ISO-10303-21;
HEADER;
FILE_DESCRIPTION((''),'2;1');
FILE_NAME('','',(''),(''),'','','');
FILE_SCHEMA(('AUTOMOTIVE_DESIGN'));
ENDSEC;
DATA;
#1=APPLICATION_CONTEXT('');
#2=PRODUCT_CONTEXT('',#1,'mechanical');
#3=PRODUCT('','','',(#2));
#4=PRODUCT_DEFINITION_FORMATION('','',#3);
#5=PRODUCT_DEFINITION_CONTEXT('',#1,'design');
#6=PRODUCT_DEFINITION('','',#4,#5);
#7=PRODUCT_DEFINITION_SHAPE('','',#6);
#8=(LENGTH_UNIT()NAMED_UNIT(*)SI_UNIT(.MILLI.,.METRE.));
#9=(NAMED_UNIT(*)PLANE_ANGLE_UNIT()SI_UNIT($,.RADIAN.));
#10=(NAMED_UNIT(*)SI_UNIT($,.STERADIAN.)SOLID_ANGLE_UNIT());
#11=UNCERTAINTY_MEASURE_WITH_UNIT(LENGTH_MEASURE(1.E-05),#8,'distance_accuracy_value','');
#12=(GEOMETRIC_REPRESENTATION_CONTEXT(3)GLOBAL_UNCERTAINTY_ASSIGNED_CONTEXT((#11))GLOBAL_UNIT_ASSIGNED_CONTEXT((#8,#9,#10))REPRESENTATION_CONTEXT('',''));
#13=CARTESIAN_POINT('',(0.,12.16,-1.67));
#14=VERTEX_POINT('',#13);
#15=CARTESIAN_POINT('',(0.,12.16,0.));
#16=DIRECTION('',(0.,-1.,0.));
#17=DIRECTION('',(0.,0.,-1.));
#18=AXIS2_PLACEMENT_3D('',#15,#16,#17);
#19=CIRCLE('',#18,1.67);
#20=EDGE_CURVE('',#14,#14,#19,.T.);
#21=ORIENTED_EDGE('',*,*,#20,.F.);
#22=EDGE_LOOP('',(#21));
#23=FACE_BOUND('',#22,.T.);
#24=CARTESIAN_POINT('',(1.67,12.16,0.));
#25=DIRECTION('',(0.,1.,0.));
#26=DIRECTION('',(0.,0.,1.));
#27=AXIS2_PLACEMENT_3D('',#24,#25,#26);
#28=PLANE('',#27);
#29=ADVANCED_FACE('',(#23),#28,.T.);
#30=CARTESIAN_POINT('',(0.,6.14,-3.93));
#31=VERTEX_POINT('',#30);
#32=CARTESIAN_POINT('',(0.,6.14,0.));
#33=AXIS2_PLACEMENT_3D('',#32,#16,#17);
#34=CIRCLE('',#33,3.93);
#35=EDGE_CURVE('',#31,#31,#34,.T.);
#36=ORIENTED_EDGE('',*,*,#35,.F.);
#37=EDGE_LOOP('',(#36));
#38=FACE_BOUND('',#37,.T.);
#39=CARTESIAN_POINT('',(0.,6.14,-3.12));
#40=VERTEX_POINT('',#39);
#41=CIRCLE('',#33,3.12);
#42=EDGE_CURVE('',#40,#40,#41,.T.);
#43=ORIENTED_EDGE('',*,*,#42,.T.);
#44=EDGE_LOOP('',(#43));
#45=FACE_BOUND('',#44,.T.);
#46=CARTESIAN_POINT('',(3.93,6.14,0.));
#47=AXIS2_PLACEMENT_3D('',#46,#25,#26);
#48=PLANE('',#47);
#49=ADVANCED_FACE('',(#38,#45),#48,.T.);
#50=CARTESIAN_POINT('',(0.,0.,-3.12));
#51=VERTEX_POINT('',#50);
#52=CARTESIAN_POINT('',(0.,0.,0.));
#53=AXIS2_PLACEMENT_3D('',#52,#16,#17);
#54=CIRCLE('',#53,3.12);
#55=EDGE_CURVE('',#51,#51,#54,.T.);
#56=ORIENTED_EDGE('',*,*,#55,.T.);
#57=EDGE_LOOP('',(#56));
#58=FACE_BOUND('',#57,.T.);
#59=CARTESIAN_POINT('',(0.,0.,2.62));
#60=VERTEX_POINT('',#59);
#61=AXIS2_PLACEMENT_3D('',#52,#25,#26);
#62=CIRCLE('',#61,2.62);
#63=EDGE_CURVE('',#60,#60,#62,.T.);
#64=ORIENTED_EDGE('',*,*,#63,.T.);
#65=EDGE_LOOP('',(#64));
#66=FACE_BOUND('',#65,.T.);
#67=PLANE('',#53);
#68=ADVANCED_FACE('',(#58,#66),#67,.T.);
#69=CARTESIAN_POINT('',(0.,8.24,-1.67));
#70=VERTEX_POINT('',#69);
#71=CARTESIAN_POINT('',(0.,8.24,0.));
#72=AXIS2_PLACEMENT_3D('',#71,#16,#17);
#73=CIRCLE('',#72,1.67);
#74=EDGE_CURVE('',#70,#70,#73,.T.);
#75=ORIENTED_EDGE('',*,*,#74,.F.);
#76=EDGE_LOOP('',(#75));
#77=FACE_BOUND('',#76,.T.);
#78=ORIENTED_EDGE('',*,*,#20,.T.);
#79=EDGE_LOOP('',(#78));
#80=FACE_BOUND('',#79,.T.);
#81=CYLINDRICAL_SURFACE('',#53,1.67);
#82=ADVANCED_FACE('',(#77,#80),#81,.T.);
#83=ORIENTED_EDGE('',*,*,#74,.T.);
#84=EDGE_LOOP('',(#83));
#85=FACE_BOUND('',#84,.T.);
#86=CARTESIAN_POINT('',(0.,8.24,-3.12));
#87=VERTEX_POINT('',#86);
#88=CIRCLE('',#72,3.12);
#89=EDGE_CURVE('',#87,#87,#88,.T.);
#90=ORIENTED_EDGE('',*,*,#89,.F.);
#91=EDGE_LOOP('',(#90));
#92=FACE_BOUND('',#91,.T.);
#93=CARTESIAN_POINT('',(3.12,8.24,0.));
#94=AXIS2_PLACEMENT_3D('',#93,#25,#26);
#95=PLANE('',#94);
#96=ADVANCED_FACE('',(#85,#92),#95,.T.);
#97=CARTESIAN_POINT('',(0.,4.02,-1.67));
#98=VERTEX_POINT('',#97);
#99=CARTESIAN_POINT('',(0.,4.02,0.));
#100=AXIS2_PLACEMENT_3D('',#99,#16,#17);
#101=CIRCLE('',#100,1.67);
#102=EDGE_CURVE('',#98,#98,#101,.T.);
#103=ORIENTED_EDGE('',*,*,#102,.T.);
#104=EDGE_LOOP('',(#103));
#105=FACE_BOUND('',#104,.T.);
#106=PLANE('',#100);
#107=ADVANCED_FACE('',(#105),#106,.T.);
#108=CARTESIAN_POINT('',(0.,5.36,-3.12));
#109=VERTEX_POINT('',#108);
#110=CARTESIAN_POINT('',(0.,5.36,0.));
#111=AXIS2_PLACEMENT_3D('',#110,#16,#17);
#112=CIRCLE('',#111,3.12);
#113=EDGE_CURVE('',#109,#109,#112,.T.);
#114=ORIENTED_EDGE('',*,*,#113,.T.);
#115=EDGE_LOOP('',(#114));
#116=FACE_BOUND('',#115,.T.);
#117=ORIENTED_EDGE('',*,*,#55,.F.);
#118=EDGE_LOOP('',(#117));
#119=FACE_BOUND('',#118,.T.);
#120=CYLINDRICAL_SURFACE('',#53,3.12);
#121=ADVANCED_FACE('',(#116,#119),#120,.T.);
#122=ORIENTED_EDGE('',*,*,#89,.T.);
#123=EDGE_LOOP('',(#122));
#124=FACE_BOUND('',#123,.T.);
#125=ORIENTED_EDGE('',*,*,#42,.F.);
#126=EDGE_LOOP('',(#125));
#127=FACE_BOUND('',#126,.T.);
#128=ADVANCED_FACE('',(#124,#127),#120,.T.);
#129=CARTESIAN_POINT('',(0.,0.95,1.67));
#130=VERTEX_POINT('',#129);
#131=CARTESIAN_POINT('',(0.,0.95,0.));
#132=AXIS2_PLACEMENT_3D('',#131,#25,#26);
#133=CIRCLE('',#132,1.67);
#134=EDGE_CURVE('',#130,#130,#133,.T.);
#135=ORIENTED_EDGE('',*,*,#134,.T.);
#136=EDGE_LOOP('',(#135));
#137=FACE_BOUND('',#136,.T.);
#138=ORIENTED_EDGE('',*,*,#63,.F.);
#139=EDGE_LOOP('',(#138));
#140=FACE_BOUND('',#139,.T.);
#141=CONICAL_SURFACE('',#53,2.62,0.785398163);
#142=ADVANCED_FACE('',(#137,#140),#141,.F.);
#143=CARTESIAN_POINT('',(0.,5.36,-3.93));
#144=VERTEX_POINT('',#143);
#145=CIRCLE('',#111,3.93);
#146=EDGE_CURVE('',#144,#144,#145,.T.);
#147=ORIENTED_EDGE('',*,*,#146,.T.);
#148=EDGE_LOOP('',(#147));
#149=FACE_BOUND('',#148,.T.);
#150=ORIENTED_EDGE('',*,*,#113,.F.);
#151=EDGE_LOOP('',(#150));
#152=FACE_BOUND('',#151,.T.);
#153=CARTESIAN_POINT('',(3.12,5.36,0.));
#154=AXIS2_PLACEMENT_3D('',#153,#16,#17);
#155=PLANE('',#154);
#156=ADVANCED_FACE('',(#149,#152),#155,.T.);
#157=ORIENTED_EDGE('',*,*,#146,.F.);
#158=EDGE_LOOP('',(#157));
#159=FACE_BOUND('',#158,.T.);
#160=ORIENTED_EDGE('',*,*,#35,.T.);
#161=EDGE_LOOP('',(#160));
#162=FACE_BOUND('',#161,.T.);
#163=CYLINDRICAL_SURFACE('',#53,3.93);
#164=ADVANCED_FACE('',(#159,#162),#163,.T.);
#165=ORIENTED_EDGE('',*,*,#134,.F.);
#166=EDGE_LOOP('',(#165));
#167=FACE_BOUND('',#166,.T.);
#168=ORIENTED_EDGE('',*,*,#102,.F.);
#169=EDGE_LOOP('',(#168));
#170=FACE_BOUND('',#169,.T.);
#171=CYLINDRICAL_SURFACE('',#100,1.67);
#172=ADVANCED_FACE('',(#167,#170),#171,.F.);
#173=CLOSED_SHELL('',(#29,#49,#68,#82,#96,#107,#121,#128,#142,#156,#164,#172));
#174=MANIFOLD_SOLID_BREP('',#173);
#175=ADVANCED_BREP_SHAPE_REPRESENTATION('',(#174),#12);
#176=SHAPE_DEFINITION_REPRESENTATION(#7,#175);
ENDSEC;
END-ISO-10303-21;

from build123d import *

# Parameters (mm, degrees)
CUT_EXTRUDE_START   = -4.02
SKETCH_2_R          = 1.67
CUT_EXTRUDE_1_DEPTH = 4.02


with BuildPart() as part:
    # 草图1 → 旋转1 (revolve)
    with BuildSketch(Plane.XY, mode=Mode.PRIVATE) as revolve_1_sk:
        Polygon((0, 0), (3.12, 0), (3.12, 5.36), (3.93, 5.36), (3.93, 6.14), (3.12, 6.14), (3.12, 8.24), (1.67, 8.24), (1.67, 12.16), (0, 12.16), align=None)
    revolve(revolve_1_sk.sketch.rotate(Axis((0, 0, 0), (0, 1, 0)), 90), axis=Axis((0, 0, 0), (0, 1, 0)))

    # 草图2 → 切除-拉伸1 (cut)
    with BuildSketch(Plane.XZ.offset(CUT_EXTRUDE_START)):
        with Locations(Location((0, 0, 0), (0, 0, 270))):
            Circle(SKETCH_2_R)
    extrude(amount=CUT_EXTRUDE_1_DEPTH, mode=Mode.SUBTRACT)

    # 草图3 → 切除-旋转1 (revolve, cut)
    with BuildSketch(Plane.XY, mode=Mode.PRIVATE) as cut_revolve_1_sk:
        Polygon((2.62, 0), (1.67, 0.95), (0, 0.95), (0, 0), align=None)
    revolve(cut_revolve_1_sk.sketch.rotate(Axis((0, 0, 0), (0, -1, 0)), 90), axis=Axis((0, 0, 0), (0, -1, 0)), mode=Mode.SUBTRACT)


solid = part.part
